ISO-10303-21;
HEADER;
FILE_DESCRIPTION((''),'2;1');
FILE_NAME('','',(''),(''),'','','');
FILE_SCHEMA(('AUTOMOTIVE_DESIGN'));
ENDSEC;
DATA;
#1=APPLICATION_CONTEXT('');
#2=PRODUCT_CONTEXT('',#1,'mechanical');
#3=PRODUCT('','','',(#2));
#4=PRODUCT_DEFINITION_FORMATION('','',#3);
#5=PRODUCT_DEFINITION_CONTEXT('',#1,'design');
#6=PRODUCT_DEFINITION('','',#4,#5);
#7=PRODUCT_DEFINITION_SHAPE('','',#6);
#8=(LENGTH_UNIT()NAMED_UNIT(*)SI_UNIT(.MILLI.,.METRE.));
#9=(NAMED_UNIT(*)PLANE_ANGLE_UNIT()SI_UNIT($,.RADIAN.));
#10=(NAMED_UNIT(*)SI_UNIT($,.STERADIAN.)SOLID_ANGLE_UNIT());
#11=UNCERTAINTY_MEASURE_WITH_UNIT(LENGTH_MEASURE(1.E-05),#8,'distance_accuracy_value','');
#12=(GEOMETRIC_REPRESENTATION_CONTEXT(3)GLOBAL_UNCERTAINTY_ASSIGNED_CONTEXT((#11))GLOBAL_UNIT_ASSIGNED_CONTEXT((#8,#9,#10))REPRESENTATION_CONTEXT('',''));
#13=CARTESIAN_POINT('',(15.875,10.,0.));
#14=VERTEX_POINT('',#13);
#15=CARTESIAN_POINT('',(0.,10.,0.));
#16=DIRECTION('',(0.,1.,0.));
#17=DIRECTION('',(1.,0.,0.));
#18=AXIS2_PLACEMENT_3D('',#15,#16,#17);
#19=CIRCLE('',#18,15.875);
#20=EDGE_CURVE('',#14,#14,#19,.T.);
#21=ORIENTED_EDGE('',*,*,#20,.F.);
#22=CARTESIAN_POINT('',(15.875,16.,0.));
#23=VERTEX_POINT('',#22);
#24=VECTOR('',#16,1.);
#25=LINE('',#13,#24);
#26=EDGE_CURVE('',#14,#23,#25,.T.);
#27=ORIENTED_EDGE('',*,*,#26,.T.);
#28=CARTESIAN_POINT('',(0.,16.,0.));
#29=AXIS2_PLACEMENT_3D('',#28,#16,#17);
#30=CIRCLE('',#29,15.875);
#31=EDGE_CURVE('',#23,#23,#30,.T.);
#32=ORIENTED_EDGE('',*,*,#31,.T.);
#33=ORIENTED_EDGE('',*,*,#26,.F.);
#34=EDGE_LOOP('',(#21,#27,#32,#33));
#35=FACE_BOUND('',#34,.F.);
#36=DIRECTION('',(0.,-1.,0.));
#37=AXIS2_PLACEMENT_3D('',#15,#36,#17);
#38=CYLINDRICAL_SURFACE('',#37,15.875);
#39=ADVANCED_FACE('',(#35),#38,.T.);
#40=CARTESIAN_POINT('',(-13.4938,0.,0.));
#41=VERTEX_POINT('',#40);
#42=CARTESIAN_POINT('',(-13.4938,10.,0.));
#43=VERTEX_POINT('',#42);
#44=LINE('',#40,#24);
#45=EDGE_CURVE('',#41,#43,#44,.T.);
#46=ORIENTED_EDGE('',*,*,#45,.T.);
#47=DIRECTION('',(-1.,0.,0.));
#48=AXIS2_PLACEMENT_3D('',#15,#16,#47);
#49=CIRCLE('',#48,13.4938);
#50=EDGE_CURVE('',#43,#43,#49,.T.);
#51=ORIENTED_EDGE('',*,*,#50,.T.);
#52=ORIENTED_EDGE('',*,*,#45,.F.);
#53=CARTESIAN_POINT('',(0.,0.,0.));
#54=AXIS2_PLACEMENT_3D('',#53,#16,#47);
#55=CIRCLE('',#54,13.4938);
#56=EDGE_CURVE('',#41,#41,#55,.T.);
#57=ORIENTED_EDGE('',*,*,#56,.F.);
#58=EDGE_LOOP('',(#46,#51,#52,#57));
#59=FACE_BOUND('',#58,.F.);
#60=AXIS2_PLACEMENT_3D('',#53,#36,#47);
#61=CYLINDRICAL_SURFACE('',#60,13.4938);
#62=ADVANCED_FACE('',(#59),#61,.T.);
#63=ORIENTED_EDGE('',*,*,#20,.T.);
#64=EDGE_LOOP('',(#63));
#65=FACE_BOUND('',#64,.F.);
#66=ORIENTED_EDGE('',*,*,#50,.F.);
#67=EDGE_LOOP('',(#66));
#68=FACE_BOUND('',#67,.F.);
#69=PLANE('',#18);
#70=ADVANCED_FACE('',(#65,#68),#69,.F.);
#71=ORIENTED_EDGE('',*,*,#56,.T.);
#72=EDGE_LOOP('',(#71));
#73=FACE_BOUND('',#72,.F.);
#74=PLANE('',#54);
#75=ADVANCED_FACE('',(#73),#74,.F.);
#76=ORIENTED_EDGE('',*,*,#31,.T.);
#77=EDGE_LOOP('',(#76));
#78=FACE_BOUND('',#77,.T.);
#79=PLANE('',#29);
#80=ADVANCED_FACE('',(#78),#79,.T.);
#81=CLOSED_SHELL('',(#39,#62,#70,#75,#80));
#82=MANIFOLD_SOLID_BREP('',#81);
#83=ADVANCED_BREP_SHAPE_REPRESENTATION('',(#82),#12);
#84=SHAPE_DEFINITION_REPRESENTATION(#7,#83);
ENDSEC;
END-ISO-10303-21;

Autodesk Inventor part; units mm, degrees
ref_plane "YZ Plane" through (0, 0, 0) normal (1, 0, 0) x (0, 1, 0)
ref_plane "XZ Plane" through (0, 0, 0) normal (0, 1, 0) x (-1, 0, 0)
ref_plane "XY Plane" through (0, 0, 0) normal (0, 0, 1) x (1, 0, 0)
sketch "Sketch1" plane through (0, 0, 0) normal (0, 1, 0) x (-1, 0, 0)
  circle A0 centre (0, 0) radius 13.4938
  dimension "d0" = 26.9875
extrude "Extrusion1" add sketch "Sketch1" along normal blind 10
sketch "Sketch2" plane through (0, 10, 0) normal (0, 1, 0) x (1, 0, 0)
  circle A0 centre (0, 0) radius 13.4938 projected
  circle A1 centre (0, 0) radius 15.875
  dimension "d3" = 31.75
extrude "Extrusion2" add sketch "Sketch2" along normal blind 6 contours A0 | A1
properties part number "Back Cap" material "Polycarbonate, Clear"
